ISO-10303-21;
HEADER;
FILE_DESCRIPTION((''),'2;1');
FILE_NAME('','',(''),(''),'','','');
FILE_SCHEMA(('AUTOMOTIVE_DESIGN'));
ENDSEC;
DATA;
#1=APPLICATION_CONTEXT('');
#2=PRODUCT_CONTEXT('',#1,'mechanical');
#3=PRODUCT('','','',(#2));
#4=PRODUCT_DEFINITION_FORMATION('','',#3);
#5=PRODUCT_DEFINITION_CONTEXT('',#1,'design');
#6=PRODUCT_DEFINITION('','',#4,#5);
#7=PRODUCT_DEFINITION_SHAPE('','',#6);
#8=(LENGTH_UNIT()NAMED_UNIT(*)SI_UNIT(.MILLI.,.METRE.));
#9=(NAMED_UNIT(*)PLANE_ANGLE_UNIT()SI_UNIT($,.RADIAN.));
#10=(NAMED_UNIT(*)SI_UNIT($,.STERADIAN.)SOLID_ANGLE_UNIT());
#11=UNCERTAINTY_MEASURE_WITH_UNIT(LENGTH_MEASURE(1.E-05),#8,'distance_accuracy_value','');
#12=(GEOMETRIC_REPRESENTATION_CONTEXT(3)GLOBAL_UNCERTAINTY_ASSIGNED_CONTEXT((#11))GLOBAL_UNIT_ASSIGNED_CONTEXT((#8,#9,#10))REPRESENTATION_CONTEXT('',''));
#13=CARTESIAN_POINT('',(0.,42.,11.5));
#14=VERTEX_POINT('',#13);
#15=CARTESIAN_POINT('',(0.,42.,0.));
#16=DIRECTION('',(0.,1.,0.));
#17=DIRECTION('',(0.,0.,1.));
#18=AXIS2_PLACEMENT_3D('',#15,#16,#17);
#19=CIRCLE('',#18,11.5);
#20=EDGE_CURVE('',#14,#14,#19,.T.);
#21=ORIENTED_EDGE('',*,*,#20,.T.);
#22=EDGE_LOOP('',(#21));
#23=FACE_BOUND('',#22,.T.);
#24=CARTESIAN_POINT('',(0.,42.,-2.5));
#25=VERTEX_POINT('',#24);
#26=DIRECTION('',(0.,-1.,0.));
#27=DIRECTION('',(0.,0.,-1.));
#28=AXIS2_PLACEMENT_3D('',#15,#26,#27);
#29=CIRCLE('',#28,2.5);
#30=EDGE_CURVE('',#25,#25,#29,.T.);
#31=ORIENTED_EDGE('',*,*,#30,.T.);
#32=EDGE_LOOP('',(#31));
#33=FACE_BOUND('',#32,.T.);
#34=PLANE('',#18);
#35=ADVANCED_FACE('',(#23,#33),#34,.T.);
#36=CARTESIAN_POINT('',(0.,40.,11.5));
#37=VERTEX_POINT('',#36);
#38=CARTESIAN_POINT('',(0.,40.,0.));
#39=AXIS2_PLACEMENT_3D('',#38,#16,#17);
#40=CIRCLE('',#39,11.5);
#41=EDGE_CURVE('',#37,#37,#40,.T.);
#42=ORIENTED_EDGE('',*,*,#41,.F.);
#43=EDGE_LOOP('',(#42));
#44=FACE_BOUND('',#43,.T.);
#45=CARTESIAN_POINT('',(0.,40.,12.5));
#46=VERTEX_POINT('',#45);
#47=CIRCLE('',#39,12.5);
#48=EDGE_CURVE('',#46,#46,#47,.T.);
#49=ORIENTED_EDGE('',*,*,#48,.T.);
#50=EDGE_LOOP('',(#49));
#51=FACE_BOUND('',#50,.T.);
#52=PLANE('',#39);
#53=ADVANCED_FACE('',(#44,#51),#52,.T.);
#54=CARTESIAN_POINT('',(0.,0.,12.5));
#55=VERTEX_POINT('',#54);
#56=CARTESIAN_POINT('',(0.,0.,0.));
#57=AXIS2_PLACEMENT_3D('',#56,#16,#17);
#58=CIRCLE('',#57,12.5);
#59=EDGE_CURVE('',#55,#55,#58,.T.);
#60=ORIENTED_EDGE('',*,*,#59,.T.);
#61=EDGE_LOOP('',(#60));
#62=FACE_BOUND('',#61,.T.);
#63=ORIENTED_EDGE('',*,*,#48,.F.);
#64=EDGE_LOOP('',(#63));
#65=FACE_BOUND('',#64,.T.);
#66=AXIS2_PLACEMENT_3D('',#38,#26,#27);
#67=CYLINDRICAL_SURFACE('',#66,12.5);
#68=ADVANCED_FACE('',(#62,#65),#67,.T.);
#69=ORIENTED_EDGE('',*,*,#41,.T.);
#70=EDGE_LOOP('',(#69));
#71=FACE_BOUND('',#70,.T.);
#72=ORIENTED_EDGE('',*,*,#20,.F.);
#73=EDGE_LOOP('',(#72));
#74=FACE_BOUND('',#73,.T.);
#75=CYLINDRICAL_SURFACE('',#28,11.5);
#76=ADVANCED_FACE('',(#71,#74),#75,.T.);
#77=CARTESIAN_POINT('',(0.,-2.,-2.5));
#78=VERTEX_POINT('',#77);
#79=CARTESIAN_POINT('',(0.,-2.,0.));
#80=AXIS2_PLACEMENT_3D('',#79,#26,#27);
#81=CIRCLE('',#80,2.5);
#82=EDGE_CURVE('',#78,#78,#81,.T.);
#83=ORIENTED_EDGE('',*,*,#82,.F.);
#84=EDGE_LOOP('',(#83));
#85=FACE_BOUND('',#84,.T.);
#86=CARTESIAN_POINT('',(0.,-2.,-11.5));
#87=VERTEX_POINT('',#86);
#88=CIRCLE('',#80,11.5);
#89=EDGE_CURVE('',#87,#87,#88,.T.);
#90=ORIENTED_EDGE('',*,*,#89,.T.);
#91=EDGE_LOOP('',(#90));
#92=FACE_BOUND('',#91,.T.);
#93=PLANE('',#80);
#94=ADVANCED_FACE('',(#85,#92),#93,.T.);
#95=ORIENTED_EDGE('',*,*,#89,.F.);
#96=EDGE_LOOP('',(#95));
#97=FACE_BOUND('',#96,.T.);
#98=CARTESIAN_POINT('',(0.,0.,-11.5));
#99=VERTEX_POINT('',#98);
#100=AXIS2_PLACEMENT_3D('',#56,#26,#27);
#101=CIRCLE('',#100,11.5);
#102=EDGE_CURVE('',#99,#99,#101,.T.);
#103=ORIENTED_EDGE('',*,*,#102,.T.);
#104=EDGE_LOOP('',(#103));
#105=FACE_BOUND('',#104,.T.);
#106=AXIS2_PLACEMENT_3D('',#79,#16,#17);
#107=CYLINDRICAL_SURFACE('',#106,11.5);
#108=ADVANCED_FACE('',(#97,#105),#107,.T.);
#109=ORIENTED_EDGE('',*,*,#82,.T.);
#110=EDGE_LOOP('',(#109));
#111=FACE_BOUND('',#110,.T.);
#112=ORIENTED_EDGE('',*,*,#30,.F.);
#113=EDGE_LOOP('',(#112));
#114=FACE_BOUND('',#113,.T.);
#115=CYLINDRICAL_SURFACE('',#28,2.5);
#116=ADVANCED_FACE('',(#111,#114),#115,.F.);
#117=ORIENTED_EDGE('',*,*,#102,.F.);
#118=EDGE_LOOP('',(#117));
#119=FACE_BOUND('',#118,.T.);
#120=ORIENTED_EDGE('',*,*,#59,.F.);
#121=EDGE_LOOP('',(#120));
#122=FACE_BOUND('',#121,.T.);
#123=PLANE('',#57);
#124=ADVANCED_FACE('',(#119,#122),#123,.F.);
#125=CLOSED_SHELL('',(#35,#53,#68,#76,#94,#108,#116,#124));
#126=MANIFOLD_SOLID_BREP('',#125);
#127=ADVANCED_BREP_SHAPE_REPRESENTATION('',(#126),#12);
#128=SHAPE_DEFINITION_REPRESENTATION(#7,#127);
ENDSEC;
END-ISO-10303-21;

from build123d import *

# Parameters (mm, degrees)
SKETCH1_R               = 12.5
BOSS_EXTRUDE1_DEPTH     = 40
SKETCH2_R               = 11.5
BOSS_EXTRUDE2_DEPTH     = 2
SKETCH3_R               = 11.5
BOSS_EXTRUDE3_DEPTH     = 2
SKETCH4_R               = 2.5
CUT_EXTRUDE1_DEPTH      = 1
CUT_EXTRUDE1_DEPTH_BACK = 45


with BuildPart() as part:
    # Sketch1 → Boss-Extrude1 (new body)
    with BuildSketch(Plane(origin=(0, 0, 0), x_dir=(1, 0, 0), z_dir=(0, 1, 0))):
        Circle(SKETCH1_R)
    extrude(amount=BOSS_EXTRUDE1_DEPTH)

    # Sketch2 → Boss-Extrude2 (add)
    with BuildSketch(Plane(origin=(0, 40, 0), x_dir=(1, 0, 0), z_dir=(0, 1, 0))):
        Circle(SKETCH2_R)
    extrude(amount=BOSS_EXTRUDE2_DEPTH)

    # Sketch3 → Boss-Extrude3 (add)
    with BuildSketch(Plane.XZ):
        Circle(SKETCH3_R)
    extrude(amount=BOSS_EXTRUDE3_DEPTH)

    # Sketch4 → Cut-Extrude1 (cut, two sides)
    with BuildSketch(Plane(origin=(0, -2, 0), x_dir=(-1, 0, 0), z_dir=(0, -1, 0))) as cut_extrude1_sk:
        Circle(SKETCH4_R)
    extrude(amount=CUT_EXTRUDE1_DEPTH, mode=Mode.SUBTRACT)
    extrude(cut_extrude1_sk.sketch, amount=-CUT_EXTRUDE1_DEPTH_BACK, mode=Mode.SUBTRACT)


solid = part.part
